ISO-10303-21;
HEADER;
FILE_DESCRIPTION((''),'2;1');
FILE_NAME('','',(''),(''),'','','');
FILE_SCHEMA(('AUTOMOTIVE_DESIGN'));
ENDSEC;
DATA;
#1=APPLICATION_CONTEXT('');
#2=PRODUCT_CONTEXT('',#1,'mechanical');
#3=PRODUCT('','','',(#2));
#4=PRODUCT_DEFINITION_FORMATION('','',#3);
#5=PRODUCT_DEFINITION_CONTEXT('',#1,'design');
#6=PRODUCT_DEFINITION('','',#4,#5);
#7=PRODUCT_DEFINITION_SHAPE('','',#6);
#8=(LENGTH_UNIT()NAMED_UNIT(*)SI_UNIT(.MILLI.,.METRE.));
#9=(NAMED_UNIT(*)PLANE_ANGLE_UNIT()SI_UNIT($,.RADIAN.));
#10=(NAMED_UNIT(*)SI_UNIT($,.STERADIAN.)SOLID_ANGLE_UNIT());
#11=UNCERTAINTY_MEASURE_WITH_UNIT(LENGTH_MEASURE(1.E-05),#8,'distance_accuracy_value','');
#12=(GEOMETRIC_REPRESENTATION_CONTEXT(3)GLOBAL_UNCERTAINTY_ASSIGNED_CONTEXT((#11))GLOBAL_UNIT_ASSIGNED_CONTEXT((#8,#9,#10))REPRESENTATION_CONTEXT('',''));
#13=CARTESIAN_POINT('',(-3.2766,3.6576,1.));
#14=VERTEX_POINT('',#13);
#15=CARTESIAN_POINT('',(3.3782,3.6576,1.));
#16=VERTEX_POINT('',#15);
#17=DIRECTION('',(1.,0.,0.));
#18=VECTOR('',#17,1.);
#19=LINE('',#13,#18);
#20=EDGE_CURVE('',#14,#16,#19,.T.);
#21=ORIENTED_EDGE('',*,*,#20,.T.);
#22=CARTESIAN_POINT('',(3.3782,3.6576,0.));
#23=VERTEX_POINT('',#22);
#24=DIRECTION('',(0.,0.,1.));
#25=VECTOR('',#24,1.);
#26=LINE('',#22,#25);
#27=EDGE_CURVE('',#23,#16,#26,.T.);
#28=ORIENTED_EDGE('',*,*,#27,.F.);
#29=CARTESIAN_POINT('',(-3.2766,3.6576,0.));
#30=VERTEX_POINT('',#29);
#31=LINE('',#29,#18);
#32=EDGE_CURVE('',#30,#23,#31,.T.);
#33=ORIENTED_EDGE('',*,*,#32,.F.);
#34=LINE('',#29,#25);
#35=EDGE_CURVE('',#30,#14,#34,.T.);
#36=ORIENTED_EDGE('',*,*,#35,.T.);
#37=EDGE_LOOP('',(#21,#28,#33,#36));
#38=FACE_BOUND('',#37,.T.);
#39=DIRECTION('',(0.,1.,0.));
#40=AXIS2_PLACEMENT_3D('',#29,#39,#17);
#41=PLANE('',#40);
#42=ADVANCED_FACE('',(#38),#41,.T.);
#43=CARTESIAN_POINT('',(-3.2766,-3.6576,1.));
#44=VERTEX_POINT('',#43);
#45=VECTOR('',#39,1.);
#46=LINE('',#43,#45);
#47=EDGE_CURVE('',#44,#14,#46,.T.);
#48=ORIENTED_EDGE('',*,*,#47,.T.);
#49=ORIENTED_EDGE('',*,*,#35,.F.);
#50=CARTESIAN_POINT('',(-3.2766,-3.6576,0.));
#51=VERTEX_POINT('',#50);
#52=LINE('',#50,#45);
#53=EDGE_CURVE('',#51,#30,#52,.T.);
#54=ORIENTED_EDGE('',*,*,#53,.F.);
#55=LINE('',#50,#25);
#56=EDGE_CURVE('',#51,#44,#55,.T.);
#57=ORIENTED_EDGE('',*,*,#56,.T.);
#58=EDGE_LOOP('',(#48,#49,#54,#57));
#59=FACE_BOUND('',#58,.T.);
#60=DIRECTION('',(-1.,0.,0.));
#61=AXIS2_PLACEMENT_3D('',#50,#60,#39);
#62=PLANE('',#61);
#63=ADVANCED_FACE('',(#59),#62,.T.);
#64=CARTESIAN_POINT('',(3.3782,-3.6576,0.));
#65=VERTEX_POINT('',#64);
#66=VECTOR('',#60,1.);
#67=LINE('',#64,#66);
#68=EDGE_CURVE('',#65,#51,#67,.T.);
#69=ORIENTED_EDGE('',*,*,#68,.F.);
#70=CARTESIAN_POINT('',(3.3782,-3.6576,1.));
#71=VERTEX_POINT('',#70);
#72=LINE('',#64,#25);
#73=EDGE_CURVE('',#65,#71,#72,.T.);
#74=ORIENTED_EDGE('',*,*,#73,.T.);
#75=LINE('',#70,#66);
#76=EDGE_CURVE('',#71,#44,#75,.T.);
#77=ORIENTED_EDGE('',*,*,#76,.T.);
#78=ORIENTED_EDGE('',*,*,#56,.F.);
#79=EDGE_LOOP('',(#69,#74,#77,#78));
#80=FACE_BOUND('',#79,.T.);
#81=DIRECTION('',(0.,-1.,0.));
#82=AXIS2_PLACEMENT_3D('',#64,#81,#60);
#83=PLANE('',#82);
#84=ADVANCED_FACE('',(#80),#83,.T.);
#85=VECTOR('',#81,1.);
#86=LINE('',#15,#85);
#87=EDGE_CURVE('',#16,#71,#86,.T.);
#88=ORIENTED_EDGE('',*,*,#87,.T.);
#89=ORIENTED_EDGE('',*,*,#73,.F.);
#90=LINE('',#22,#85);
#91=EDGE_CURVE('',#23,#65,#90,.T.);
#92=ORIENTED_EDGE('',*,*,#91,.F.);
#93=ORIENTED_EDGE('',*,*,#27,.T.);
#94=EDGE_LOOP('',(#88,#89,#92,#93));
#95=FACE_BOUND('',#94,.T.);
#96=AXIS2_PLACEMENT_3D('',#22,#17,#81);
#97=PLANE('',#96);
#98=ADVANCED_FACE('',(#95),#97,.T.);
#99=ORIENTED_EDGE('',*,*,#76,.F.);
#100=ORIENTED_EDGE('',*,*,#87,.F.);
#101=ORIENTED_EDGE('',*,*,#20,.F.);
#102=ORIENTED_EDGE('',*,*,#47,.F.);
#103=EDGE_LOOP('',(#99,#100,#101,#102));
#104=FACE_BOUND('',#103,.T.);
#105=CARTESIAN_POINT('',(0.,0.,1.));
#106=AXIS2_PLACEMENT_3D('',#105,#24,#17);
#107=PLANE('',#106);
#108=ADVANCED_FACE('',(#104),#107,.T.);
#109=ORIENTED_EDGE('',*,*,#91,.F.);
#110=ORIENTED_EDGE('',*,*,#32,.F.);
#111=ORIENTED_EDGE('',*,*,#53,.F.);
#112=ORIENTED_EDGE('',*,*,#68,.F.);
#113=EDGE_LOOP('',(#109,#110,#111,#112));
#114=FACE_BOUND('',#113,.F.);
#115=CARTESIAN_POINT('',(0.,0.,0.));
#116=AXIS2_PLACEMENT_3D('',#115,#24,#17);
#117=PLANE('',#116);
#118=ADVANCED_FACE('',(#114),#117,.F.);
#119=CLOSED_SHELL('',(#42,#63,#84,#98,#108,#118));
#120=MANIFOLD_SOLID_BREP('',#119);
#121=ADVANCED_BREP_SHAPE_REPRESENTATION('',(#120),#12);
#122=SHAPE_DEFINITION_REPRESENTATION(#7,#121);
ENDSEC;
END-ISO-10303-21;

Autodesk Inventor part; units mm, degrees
ref_plane "YZ Plane" through (0, 0, 0) normal (1, 0, 0) x (0, 1, 0)
ref_plane "XZ Plane" through (0, 0, 0) normal (0, 1, 0) x (-1, 0, 0)
ref_plane "XY Plane" through (0, 0, 0) normal (0, 0, 1) x (1, 0, 0)
sketch "SOT223, U1_SOT223_12" plane through (0, 0, 0) normal (0, 0, 1) x (1, 0, 0)
  line L0 (-3.2766, 3.6576) -> (3.3782, 3.6576)
  line L1 (3.3782, 3.6576) -> (3.3782, -3.6576)
  line L2 (3.3782, -3.6576) -> (-3.2766, -3.6576)
  line L3 (-3.2766, -3.6576) -> (-3.2766, 3.6576)
extrude "Выдавливание1" add sketch "SOT223, U1_SOT223_12" along normal blind 1
properties part number "U1_SOT223"
